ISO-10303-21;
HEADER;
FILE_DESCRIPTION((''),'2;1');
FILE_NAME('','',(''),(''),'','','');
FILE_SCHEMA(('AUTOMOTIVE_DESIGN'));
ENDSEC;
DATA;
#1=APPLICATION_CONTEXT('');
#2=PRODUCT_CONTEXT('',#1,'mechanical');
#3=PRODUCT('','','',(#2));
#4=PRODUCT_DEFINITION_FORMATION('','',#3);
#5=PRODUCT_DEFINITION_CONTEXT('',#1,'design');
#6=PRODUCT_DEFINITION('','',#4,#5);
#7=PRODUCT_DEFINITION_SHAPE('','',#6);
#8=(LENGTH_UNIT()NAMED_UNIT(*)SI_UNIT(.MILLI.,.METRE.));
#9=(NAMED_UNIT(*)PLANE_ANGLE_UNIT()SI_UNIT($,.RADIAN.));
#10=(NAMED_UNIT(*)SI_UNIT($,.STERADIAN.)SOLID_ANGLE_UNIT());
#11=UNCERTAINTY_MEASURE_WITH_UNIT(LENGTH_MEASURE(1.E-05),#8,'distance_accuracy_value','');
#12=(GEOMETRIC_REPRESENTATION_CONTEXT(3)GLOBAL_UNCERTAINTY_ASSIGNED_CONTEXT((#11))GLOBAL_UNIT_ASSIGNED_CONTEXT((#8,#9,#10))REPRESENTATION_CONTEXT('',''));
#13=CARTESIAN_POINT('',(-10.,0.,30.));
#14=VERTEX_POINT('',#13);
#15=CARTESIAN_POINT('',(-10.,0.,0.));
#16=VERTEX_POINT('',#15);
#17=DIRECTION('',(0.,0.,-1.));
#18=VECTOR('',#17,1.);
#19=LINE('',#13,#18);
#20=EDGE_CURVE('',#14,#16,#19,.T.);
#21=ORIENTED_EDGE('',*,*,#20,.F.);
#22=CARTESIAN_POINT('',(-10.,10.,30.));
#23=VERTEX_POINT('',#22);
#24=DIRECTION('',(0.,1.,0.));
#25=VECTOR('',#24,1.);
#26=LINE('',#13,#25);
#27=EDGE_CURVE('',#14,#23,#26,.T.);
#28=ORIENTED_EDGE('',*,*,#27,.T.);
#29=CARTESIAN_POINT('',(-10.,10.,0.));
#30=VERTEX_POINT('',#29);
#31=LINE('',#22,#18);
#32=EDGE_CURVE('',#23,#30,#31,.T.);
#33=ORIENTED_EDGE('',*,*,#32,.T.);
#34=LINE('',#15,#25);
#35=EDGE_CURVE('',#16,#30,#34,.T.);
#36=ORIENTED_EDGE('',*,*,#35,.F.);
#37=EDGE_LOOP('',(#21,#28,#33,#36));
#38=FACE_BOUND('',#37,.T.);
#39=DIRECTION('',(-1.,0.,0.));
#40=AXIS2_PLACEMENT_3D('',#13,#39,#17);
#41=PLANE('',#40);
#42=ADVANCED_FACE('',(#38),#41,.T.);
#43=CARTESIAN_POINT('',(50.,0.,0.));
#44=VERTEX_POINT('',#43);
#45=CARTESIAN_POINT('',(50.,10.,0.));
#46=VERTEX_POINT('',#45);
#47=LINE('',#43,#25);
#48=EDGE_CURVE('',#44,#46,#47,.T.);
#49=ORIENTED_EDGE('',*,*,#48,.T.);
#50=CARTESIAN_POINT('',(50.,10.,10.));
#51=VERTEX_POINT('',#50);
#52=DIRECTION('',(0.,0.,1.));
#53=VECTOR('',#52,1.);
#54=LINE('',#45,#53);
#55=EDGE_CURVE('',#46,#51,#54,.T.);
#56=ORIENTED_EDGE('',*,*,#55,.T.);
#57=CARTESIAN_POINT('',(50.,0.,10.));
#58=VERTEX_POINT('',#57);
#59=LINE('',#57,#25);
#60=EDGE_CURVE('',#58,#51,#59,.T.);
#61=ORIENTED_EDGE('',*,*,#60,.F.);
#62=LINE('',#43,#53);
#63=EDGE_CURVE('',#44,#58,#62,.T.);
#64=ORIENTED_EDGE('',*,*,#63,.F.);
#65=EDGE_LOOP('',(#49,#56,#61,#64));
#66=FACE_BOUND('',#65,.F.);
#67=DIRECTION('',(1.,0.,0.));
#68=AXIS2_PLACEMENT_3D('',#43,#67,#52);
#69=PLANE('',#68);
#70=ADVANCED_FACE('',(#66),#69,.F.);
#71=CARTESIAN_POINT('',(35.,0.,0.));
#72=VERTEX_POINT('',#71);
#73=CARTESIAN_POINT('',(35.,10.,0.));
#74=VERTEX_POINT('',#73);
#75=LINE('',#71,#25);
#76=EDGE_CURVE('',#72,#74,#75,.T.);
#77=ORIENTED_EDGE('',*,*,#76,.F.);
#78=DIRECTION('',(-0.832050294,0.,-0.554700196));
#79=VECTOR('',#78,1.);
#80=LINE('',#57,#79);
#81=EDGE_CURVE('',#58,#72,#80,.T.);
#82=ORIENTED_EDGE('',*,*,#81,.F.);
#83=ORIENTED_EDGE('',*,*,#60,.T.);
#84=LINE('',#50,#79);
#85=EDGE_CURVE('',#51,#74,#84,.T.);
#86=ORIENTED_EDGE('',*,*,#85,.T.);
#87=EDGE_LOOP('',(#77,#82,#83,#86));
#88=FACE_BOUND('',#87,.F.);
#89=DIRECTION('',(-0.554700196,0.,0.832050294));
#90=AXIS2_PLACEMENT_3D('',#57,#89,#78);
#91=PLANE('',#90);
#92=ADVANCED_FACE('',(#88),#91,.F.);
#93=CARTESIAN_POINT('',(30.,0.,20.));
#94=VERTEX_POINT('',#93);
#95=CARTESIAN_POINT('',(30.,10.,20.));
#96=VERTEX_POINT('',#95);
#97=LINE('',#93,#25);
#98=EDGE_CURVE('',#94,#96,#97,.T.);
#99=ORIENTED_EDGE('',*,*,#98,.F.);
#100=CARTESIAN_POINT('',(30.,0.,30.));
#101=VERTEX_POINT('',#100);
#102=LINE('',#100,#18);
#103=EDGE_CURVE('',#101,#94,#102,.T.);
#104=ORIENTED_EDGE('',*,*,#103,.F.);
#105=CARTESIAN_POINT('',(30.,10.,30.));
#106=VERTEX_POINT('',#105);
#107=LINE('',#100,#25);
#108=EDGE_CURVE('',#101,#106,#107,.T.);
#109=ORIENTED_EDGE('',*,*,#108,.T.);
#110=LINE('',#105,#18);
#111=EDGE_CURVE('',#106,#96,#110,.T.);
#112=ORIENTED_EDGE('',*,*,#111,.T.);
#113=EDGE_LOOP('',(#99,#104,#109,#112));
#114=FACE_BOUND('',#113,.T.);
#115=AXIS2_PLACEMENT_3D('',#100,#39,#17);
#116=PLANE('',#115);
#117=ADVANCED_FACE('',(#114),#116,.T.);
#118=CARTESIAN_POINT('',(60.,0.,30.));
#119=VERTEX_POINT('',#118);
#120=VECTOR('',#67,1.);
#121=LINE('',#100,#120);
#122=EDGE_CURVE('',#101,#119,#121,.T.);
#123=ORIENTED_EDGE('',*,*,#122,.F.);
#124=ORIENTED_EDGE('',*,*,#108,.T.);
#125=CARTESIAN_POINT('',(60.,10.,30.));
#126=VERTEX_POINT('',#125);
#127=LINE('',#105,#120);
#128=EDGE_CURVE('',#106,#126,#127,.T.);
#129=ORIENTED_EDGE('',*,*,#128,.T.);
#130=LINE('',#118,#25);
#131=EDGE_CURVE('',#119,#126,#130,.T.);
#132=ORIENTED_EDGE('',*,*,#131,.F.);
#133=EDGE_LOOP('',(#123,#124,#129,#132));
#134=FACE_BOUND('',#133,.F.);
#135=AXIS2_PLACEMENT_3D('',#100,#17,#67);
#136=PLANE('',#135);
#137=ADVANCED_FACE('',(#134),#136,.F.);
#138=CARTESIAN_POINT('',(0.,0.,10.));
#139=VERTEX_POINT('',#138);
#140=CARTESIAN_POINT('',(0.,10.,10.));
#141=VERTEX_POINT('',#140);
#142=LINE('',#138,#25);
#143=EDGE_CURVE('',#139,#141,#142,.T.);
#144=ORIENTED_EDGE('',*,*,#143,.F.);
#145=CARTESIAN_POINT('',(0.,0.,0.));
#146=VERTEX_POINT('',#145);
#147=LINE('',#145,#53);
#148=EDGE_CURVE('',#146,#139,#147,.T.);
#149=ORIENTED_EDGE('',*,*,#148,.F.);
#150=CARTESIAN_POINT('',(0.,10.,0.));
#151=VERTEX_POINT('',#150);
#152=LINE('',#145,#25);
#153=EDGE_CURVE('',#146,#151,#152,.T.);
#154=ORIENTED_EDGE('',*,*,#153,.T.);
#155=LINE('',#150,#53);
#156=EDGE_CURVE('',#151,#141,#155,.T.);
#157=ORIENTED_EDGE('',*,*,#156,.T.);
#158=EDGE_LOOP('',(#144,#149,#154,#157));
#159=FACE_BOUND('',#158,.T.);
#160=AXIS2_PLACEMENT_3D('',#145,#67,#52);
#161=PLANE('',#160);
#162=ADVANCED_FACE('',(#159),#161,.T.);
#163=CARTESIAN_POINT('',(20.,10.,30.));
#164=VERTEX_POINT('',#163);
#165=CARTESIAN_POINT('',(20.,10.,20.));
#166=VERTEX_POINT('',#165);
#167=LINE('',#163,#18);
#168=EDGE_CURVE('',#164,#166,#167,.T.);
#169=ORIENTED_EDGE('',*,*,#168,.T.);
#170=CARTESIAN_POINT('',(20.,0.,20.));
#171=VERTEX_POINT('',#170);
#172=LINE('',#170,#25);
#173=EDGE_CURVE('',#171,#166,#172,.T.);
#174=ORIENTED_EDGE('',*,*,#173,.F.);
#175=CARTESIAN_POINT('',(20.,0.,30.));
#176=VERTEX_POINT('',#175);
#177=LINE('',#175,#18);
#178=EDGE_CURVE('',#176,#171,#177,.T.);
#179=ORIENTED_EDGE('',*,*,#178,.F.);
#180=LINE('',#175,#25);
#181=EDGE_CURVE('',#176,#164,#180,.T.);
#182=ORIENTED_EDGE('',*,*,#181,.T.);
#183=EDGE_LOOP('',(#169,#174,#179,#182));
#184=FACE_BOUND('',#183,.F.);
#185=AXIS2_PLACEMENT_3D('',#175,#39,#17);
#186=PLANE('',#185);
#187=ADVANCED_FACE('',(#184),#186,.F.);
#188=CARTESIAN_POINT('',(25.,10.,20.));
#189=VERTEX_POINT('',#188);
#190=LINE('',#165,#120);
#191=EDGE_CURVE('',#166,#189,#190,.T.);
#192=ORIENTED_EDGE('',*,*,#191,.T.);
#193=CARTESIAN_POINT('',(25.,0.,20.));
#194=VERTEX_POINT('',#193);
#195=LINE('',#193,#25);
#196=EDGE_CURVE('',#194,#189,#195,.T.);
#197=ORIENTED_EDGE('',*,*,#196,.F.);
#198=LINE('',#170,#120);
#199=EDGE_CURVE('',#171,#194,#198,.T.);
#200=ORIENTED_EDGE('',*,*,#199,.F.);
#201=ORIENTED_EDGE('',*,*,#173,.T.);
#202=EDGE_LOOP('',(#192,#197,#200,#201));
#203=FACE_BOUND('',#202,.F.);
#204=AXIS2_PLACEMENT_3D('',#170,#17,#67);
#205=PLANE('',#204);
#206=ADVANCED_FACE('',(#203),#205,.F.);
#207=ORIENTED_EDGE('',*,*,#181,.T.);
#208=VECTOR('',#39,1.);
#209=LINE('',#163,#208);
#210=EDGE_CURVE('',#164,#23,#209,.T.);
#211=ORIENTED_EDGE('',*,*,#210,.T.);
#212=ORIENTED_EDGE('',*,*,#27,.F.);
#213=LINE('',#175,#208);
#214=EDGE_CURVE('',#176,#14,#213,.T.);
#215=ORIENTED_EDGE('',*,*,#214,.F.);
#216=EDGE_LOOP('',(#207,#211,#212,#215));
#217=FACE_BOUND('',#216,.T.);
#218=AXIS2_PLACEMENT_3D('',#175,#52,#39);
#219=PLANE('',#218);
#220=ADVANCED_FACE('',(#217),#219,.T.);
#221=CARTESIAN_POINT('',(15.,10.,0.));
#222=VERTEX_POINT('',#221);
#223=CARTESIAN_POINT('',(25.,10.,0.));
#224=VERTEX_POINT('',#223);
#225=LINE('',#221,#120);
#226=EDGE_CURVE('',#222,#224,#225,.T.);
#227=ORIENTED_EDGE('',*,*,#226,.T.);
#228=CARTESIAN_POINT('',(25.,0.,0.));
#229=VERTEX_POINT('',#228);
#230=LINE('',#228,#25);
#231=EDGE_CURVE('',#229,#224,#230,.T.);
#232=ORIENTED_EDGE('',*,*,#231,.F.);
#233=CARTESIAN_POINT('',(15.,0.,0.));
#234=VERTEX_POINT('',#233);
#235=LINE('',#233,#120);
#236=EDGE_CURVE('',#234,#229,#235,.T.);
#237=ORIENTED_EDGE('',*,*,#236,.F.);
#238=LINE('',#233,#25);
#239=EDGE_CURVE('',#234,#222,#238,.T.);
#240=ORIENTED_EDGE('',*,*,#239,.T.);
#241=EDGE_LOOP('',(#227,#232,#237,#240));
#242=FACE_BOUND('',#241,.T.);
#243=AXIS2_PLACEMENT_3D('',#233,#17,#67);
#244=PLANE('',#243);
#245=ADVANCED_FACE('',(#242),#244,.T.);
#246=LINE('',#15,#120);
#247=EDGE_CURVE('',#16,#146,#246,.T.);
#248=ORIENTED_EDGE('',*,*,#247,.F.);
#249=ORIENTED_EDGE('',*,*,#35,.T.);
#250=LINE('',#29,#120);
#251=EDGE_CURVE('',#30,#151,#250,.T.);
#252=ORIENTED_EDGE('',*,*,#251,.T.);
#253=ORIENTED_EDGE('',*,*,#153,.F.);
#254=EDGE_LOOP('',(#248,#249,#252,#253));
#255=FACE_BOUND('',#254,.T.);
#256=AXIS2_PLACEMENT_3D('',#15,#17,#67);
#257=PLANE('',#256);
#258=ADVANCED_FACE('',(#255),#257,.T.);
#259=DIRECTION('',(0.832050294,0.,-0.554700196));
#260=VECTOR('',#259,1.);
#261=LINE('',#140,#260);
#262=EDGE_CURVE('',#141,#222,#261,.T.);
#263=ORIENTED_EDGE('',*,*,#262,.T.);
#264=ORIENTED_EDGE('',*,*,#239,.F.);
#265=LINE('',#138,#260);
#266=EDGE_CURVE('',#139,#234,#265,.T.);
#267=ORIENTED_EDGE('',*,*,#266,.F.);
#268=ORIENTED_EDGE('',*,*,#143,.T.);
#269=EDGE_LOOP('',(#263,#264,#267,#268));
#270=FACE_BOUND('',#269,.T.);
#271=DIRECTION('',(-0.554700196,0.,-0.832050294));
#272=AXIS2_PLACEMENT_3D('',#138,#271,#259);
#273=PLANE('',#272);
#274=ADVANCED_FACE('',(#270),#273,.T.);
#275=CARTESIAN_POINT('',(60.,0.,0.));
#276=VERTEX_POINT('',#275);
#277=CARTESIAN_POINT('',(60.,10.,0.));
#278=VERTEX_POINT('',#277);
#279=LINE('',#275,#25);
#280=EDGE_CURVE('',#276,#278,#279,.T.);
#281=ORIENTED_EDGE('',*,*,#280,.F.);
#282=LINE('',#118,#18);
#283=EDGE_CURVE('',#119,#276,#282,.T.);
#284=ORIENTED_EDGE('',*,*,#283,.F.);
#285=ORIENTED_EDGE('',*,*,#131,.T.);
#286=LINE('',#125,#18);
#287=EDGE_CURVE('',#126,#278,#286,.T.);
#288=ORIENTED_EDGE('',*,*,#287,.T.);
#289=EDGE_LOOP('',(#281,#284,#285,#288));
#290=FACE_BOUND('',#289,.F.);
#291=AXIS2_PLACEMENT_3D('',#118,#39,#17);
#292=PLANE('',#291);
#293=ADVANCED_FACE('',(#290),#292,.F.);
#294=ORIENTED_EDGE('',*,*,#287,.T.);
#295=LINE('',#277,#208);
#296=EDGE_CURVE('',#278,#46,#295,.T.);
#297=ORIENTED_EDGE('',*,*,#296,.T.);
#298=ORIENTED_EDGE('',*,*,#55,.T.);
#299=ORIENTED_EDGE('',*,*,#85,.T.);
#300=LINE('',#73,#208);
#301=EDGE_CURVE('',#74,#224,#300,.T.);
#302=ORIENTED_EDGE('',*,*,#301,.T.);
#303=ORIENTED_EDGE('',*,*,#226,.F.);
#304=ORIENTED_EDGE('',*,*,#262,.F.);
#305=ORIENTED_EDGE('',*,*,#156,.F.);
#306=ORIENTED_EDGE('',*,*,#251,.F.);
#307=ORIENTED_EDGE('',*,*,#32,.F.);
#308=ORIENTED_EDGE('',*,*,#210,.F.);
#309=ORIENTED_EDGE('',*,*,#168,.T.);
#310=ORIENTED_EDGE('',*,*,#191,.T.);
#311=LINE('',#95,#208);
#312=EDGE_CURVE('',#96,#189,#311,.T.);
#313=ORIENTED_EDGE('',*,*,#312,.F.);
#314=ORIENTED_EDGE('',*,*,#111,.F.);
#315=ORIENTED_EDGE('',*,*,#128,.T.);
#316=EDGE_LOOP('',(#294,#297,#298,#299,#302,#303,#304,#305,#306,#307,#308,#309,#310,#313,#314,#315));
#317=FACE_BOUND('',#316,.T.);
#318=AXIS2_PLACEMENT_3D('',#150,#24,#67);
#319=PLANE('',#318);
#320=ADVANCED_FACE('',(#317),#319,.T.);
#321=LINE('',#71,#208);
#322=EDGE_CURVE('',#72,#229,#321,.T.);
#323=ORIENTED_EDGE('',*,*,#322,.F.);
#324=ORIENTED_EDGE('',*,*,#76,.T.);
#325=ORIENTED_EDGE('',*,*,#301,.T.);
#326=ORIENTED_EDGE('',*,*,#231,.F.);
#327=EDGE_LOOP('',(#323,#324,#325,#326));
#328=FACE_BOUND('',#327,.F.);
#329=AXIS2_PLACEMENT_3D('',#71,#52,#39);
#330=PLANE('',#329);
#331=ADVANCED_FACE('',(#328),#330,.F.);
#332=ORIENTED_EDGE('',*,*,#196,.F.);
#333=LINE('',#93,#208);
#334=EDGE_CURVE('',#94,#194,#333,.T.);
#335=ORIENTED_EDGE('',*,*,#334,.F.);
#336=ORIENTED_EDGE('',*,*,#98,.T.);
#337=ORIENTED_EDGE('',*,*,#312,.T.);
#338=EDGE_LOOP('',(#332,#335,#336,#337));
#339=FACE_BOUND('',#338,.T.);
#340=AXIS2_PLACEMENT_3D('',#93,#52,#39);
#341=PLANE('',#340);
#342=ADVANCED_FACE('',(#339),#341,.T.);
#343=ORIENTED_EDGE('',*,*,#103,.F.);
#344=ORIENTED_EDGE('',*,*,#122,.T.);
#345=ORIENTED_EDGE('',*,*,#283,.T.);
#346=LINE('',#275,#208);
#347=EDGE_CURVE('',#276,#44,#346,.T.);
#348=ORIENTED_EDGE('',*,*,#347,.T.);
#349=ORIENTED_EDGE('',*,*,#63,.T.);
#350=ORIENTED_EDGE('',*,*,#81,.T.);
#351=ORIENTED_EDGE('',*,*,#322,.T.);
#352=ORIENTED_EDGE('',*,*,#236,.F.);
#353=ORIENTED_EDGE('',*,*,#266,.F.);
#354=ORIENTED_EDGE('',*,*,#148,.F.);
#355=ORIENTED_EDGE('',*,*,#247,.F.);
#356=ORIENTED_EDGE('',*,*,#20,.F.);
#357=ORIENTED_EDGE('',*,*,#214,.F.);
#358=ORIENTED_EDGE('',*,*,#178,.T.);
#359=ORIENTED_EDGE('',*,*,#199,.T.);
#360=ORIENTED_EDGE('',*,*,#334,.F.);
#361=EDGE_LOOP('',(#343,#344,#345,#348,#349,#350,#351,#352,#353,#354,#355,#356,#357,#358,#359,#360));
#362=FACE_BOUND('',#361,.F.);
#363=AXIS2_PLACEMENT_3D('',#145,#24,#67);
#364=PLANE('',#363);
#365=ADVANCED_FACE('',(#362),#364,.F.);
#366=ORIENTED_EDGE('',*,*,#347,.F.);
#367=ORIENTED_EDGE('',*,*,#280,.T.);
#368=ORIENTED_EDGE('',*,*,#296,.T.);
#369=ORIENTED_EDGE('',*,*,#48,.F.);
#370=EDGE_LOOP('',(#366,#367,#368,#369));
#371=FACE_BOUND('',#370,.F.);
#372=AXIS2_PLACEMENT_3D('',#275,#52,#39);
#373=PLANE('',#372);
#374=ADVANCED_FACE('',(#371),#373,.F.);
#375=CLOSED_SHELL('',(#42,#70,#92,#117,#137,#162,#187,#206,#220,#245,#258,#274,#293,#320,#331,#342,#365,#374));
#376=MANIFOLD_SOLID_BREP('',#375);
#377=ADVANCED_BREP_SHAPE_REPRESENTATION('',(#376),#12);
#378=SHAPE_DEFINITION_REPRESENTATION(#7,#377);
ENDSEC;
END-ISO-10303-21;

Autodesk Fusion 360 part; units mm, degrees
sketch "Sketch1" plane through (0, 0, 0) normal (0, 1, 0) x (1, 0, 0)
  line L0 (20, -30) -> (-10, -30)
  line L1 (-10, -30) -> (-10, 0)
  line L2 (0, 0) -> (0, -10)
  line L3 (0, -10) -> (15, 0)
  line L4 (15, 0) -> (25, 0)
  line L5 (20, -30) -> (20, -20)
  line L6 (20, -20) -> (25, -20)
  line L7 (-10, 0) -> (0, 0)
  line L8 (50, 0) -> (50, -10)
  line L9 (60, 0) -> (50, 0)
  line L10 (50, -10) -> (35, 0)
  line L11 (60, -30) -> (60, 0)
  line L12 (30, -30) -> (60, -30)
  line L13 (35, 0) -> (25, 0)
  line L14 (30, -30) -> (30, -20)
  line L15 (30, -20) -> (25, -20)
  point P0 (50, 0)
  dimension "d14" = 30
  dimension "d15" = 30
  dimension "d18" = 10
  dimension "d19" = 15
  dimension "d20" = 10
  dimension "d21" = 15
  dimension "d22" = 10
  dimension "d23" = 5
  dimension "d25" = 10
extrude "Extrude1" add sketch "Sketch1" along normal blind 10
